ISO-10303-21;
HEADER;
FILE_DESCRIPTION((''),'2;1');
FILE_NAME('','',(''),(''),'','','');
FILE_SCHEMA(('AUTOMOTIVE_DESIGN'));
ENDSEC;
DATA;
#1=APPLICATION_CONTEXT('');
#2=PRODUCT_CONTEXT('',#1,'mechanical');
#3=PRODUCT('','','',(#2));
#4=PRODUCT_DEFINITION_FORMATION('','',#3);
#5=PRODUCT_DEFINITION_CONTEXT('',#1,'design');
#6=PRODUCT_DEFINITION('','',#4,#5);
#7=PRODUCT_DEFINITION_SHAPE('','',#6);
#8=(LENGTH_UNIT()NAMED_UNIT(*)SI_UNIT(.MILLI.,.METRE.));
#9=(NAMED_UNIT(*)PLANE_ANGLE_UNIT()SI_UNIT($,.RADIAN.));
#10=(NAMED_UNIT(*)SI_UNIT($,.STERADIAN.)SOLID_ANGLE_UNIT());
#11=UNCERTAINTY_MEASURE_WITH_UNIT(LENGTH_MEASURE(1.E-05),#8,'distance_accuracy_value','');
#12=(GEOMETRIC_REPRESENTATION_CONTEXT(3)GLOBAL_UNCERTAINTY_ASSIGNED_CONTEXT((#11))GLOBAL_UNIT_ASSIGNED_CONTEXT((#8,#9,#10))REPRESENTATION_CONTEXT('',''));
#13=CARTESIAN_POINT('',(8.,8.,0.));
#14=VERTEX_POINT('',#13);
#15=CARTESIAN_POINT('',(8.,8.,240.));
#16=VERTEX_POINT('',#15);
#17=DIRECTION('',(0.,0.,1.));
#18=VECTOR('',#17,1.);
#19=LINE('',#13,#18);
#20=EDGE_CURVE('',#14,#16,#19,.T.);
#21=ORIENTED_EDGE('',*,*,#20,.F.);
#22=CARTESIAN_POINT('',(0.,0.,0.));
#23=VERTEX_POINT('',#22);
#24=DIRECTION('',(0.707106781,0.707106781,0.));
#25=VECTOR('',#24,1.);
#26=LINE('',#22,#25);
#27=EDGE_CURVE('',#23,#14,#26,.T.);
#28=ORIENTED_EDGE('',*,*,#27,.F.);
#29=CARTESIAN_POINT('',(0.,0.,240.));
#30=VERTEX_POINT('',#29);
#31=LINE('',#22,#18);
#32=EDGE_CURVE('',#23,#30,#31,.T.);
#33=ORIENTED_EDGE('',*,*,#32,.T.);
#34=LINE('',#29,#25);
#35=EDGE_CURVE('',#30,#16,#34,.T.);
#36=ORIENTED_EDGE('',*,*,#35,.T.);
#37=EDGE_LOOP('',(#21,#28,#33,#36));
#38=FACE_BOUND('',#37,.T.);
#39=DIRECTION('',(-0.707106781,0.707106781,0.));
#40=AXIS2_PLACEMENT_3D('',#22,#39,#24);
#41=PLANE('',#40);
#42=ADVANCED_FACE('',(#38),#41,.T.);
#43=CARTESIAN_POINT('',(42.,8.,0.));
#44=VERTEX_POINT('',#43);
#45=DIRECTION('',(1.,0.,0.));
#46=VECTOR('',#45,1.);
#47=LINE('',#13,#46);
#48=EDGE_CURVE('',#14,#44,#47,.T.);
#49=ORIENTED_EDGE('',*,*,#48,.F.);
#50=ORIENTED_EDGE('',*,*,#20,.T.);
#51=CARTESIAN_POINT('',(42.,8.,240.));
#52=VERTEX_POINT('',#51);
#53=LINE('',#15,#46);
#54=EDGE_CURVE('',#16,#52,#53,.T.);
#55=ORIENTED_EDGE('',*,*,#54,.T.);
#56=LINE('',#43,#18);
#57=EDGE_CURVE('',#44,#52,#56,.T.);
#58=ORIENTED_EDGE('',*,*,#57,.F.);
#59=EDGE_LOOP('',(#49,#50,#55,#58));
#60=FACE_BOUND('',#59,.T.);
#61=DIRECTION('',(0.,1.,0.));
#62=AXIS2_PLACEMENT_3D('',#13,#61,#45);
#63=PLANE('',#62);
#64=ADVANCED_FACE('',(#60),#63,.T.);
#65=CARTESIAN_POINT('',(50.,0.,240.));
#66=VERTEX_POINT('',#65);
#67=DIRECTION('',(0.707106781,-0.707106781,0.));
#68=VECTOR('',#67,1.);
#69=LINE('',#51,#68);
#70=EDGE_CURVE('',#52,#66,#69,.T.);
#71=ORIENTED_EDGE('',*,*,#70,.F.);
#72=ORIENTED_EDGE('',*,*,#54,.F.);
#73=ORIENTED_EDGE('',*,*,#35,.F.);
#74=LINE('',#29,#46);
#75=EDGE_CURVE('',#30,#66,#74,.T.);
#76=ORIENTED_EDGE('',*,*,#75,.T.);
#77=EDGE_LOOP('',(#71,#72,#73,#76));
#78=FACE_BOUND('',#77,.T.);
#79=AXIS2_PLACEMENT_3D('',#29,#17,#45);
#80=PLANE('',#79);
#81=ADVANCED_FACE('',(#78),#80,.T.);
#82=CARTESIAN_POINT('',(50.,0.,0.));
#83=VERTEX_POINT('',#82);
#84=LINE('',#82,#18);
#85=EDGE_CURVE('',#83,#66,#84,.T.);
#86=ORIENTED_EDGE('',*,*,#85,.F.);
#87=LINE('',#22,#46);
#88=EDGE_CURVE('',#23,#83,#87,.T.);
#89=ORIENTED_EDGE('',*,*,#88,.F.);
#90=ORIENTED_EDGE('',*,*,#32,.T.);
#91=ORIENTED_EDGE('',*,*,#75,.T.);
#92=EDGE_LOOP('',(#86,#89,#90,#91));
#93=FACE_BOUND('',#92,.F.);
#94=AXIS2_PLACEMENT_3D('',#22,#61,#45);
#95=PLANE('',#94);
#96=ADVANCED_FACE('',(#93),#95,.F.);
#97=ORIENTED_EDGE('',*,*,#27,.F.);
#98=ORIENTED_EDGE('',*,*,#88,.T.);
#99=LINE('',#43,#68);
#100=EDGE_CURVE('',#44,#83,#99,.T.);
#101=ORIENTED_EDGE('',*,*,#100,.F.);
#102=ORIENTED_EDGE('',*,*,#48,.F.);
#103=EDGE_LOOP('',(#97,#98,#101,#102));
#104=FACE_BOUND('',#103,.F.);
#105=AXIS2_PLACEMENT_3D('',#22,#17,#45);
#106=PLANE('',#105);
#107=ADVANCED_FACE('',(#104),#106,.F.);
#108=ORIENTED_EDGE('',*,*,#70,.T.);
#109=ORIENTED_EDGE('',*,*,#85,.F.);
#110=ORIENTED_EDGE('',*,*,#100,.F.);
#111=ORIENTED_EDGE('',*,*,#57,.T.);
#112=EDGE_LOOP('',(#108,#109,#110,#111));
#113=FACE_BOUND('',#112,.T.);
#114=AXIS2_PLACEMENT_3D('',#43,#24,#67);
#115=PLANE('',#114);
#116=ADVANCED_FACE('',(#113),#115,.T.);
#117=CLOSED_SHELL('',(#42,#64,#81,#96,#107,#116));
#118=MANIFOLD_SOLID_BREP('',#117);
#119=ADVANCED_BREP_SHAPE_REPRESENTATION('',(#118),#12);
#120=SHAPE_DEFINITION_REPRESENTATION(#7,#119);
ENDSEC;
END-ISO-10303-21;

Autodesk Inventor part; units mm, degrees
ref_plane "YZ Plane" through (0, 0, 0) normal (1, 0, 0) x (0, 1, 0)
ref_plane "XZ Plane" through (0, 0, 0) normal (0, 1, 0) x (-1, 0, 0)
ref_plane "XY Plane" through (0, 0, 0) normal (0, 0, 1) x (1, 0, 0)
sketch "Esquisse1" plane through (0, 0, 0) normal (0, 0, 1) x (1, 0, 0)
  line L0 (0, 0) -> (50, 0)
  line L1 (0, 0) -> (8, 8)
  line L2 (8, 8) -> (42, 8)
  line L3 (42, 8) -> (50, 0)
  dimension "d0" = 50
  dimension "d1" = 45
  dimension "d2" = 45
  dimension "d3" = 8
extrude "Extrusion1" add sketch "Esquisse1" along normal blind 240
equation "\"d2\" = d1"
properties part number "plaques_laterales"
